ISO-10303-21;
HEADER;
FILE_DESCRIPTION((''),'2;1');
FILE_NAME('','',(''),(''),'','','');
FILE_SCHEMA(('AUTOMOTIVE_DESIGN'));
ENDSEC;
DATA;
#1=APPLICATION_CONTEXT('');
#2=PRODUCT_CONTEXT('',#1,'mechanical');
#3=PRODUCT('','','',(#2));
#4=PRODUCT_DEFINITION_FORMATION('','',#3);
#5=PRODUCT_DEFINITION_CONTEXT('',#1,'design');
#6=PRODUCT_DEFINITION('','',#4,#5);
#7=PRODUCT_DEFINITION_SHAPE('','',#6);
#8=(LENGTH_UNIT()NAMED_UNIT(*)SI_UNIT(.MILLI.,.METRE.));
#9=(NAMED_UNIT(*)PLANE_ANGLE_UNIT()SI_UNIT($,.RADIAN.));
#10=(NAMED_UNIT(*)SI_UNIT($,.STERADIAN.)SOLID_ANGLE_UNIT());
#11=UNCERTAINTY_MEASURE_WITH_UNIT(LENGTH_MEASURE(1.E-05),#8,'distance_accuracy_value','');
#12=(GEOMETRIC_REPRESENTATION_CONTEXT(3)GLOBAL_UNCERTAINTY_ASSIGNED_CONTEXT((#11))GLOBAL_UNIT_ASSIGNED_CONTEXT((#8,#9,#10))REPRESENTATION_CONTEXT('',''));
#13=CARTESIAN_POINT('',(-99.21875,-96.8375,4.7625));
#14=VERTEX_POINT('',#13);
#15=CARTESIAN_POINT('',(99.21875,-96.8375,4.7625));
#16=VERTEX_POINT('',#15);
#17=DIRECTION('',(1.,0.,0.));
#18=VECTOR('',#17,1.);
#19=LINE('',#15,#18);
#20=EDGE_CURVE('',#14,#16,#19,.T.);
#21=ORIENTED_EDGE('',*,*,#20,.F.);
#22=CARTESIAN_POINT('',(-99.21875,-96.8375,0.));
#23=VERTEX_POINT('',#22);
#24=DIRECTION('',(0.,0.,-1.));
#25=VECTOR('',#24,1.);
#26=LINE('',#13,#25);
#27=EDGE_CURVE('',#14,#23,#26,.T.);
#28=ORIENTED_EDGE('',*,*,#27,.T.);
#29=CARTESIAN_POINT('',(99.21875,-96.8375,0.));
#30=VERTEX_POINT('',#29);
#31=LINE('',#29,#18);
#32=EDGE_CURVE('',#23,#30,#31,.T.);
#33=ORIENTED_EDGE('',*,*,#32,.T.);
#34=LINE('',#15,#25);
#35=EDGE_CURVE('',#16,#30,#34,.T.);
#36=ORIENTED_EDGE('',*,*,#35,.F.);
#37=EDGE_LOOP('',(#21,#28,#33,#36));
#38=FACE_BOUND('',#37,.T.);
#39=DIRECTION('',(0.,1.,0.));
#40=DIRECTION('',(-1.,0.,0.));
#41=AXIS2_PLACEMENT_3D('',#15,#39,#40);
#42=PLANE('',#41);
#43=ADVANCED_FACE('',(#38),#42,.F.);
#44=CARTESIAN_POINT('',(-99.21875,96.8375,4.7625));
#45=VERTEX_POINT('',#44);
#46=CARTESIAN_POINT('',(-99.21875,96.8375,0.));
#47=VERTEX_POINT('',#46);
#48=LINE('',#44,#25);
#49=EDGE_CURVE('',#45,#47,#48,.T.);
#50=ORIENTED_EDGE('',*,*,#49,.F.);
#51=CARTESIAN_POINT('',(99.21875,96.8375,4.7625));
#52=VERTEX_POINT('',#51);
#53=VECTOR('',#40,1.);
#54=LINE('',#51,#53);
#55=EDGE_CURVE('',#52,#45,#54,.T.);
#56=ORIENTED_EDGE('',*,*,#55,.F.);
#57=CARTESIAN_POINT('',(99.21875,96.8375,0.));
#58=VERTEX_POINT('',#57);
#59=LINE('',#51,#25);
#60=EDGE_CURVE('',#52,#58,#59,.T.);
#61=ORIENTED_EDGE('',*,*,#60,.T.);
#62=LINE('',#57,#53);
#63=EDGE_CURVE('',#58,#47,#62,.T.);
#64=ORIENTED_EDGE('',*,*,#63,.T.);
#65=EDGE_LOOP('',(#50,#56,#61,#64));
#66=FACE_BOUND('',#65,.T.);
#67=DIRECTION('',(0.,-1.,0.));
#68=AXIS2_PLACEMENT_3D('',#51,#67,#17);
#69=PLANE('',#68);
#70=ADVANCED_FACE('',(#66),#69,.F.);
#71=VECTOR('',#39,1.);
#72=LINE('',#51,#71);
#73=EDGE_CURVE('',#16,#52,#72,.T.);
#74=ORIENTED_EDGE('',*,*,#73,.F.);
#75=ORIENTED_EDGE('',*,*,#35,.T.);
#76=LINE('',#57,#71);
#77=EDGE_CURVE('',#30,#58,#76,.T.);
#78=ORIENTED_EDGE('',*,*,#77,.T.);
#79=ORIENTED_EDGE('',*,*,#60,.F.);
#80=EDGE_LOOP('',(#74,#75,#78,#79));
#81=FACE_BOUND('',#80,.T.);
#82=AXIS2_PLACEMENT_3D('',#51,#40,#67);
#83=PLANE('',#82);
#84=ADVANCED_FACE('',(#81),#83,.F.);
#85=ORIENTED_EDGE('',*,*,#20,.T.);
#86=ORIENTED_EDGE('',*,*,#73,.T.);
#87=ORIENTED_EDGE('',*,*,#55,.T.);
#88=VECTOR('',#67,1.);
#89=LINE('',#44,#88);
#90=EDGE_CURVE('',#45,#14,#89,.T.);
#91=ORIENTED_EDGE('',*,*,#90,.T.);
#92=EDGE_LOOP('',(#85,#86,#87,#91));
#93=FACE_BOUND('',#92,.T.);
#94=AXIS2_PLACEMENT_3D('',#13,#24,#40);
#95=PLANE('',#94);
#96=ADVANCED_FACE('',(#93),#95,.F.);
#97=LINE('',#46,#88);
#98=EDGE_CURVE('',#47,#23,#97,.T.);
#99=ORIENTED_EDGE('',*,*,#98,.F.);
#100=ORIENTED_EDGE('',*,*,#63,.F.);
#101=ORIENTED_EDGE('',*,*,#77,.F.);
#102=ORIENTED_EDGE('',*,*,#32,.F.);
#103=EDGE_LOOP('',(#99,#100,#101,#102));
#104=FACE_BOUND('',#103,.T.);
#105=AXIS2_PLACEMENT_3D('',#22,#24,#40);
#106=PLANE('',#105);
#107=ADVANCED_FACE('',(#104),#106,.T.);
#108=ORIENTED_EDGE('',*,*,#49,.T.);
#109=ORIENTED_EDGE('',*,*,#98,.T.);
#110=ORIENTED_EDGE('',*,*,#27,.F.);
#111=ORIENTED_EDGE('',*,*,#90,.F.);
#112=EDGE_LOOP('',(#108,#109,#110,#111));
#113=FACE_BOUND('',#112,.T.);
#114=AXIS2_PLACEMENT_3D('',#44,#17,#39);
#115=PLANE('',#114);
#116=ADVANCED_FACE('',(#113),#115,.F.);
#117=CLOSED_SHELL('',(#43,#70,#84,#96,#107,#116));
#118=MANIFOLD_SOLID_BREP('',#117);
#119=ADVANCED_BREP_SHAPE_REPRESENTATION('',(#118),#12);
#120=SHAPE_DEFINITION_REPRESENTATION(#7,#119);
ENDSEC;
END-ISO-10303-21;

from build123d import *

# Parameters (mm, degrees)
SKETCH1_W           = 198.4375
SKETCH1_H           = 193.675
BOSS_EXTRUDE1_DEPTH = 4.7625


with BuildPart() as part:
    # Sketch1 → Boss-Extrude1 (new body)
    with BuildSketch(Plane.XY):
        Rectangle(SKETCH1_W, SKETCH1_H)
    extrude(amount=BOSS_EXTRUDE1_DEPTH)


solid = part.part
